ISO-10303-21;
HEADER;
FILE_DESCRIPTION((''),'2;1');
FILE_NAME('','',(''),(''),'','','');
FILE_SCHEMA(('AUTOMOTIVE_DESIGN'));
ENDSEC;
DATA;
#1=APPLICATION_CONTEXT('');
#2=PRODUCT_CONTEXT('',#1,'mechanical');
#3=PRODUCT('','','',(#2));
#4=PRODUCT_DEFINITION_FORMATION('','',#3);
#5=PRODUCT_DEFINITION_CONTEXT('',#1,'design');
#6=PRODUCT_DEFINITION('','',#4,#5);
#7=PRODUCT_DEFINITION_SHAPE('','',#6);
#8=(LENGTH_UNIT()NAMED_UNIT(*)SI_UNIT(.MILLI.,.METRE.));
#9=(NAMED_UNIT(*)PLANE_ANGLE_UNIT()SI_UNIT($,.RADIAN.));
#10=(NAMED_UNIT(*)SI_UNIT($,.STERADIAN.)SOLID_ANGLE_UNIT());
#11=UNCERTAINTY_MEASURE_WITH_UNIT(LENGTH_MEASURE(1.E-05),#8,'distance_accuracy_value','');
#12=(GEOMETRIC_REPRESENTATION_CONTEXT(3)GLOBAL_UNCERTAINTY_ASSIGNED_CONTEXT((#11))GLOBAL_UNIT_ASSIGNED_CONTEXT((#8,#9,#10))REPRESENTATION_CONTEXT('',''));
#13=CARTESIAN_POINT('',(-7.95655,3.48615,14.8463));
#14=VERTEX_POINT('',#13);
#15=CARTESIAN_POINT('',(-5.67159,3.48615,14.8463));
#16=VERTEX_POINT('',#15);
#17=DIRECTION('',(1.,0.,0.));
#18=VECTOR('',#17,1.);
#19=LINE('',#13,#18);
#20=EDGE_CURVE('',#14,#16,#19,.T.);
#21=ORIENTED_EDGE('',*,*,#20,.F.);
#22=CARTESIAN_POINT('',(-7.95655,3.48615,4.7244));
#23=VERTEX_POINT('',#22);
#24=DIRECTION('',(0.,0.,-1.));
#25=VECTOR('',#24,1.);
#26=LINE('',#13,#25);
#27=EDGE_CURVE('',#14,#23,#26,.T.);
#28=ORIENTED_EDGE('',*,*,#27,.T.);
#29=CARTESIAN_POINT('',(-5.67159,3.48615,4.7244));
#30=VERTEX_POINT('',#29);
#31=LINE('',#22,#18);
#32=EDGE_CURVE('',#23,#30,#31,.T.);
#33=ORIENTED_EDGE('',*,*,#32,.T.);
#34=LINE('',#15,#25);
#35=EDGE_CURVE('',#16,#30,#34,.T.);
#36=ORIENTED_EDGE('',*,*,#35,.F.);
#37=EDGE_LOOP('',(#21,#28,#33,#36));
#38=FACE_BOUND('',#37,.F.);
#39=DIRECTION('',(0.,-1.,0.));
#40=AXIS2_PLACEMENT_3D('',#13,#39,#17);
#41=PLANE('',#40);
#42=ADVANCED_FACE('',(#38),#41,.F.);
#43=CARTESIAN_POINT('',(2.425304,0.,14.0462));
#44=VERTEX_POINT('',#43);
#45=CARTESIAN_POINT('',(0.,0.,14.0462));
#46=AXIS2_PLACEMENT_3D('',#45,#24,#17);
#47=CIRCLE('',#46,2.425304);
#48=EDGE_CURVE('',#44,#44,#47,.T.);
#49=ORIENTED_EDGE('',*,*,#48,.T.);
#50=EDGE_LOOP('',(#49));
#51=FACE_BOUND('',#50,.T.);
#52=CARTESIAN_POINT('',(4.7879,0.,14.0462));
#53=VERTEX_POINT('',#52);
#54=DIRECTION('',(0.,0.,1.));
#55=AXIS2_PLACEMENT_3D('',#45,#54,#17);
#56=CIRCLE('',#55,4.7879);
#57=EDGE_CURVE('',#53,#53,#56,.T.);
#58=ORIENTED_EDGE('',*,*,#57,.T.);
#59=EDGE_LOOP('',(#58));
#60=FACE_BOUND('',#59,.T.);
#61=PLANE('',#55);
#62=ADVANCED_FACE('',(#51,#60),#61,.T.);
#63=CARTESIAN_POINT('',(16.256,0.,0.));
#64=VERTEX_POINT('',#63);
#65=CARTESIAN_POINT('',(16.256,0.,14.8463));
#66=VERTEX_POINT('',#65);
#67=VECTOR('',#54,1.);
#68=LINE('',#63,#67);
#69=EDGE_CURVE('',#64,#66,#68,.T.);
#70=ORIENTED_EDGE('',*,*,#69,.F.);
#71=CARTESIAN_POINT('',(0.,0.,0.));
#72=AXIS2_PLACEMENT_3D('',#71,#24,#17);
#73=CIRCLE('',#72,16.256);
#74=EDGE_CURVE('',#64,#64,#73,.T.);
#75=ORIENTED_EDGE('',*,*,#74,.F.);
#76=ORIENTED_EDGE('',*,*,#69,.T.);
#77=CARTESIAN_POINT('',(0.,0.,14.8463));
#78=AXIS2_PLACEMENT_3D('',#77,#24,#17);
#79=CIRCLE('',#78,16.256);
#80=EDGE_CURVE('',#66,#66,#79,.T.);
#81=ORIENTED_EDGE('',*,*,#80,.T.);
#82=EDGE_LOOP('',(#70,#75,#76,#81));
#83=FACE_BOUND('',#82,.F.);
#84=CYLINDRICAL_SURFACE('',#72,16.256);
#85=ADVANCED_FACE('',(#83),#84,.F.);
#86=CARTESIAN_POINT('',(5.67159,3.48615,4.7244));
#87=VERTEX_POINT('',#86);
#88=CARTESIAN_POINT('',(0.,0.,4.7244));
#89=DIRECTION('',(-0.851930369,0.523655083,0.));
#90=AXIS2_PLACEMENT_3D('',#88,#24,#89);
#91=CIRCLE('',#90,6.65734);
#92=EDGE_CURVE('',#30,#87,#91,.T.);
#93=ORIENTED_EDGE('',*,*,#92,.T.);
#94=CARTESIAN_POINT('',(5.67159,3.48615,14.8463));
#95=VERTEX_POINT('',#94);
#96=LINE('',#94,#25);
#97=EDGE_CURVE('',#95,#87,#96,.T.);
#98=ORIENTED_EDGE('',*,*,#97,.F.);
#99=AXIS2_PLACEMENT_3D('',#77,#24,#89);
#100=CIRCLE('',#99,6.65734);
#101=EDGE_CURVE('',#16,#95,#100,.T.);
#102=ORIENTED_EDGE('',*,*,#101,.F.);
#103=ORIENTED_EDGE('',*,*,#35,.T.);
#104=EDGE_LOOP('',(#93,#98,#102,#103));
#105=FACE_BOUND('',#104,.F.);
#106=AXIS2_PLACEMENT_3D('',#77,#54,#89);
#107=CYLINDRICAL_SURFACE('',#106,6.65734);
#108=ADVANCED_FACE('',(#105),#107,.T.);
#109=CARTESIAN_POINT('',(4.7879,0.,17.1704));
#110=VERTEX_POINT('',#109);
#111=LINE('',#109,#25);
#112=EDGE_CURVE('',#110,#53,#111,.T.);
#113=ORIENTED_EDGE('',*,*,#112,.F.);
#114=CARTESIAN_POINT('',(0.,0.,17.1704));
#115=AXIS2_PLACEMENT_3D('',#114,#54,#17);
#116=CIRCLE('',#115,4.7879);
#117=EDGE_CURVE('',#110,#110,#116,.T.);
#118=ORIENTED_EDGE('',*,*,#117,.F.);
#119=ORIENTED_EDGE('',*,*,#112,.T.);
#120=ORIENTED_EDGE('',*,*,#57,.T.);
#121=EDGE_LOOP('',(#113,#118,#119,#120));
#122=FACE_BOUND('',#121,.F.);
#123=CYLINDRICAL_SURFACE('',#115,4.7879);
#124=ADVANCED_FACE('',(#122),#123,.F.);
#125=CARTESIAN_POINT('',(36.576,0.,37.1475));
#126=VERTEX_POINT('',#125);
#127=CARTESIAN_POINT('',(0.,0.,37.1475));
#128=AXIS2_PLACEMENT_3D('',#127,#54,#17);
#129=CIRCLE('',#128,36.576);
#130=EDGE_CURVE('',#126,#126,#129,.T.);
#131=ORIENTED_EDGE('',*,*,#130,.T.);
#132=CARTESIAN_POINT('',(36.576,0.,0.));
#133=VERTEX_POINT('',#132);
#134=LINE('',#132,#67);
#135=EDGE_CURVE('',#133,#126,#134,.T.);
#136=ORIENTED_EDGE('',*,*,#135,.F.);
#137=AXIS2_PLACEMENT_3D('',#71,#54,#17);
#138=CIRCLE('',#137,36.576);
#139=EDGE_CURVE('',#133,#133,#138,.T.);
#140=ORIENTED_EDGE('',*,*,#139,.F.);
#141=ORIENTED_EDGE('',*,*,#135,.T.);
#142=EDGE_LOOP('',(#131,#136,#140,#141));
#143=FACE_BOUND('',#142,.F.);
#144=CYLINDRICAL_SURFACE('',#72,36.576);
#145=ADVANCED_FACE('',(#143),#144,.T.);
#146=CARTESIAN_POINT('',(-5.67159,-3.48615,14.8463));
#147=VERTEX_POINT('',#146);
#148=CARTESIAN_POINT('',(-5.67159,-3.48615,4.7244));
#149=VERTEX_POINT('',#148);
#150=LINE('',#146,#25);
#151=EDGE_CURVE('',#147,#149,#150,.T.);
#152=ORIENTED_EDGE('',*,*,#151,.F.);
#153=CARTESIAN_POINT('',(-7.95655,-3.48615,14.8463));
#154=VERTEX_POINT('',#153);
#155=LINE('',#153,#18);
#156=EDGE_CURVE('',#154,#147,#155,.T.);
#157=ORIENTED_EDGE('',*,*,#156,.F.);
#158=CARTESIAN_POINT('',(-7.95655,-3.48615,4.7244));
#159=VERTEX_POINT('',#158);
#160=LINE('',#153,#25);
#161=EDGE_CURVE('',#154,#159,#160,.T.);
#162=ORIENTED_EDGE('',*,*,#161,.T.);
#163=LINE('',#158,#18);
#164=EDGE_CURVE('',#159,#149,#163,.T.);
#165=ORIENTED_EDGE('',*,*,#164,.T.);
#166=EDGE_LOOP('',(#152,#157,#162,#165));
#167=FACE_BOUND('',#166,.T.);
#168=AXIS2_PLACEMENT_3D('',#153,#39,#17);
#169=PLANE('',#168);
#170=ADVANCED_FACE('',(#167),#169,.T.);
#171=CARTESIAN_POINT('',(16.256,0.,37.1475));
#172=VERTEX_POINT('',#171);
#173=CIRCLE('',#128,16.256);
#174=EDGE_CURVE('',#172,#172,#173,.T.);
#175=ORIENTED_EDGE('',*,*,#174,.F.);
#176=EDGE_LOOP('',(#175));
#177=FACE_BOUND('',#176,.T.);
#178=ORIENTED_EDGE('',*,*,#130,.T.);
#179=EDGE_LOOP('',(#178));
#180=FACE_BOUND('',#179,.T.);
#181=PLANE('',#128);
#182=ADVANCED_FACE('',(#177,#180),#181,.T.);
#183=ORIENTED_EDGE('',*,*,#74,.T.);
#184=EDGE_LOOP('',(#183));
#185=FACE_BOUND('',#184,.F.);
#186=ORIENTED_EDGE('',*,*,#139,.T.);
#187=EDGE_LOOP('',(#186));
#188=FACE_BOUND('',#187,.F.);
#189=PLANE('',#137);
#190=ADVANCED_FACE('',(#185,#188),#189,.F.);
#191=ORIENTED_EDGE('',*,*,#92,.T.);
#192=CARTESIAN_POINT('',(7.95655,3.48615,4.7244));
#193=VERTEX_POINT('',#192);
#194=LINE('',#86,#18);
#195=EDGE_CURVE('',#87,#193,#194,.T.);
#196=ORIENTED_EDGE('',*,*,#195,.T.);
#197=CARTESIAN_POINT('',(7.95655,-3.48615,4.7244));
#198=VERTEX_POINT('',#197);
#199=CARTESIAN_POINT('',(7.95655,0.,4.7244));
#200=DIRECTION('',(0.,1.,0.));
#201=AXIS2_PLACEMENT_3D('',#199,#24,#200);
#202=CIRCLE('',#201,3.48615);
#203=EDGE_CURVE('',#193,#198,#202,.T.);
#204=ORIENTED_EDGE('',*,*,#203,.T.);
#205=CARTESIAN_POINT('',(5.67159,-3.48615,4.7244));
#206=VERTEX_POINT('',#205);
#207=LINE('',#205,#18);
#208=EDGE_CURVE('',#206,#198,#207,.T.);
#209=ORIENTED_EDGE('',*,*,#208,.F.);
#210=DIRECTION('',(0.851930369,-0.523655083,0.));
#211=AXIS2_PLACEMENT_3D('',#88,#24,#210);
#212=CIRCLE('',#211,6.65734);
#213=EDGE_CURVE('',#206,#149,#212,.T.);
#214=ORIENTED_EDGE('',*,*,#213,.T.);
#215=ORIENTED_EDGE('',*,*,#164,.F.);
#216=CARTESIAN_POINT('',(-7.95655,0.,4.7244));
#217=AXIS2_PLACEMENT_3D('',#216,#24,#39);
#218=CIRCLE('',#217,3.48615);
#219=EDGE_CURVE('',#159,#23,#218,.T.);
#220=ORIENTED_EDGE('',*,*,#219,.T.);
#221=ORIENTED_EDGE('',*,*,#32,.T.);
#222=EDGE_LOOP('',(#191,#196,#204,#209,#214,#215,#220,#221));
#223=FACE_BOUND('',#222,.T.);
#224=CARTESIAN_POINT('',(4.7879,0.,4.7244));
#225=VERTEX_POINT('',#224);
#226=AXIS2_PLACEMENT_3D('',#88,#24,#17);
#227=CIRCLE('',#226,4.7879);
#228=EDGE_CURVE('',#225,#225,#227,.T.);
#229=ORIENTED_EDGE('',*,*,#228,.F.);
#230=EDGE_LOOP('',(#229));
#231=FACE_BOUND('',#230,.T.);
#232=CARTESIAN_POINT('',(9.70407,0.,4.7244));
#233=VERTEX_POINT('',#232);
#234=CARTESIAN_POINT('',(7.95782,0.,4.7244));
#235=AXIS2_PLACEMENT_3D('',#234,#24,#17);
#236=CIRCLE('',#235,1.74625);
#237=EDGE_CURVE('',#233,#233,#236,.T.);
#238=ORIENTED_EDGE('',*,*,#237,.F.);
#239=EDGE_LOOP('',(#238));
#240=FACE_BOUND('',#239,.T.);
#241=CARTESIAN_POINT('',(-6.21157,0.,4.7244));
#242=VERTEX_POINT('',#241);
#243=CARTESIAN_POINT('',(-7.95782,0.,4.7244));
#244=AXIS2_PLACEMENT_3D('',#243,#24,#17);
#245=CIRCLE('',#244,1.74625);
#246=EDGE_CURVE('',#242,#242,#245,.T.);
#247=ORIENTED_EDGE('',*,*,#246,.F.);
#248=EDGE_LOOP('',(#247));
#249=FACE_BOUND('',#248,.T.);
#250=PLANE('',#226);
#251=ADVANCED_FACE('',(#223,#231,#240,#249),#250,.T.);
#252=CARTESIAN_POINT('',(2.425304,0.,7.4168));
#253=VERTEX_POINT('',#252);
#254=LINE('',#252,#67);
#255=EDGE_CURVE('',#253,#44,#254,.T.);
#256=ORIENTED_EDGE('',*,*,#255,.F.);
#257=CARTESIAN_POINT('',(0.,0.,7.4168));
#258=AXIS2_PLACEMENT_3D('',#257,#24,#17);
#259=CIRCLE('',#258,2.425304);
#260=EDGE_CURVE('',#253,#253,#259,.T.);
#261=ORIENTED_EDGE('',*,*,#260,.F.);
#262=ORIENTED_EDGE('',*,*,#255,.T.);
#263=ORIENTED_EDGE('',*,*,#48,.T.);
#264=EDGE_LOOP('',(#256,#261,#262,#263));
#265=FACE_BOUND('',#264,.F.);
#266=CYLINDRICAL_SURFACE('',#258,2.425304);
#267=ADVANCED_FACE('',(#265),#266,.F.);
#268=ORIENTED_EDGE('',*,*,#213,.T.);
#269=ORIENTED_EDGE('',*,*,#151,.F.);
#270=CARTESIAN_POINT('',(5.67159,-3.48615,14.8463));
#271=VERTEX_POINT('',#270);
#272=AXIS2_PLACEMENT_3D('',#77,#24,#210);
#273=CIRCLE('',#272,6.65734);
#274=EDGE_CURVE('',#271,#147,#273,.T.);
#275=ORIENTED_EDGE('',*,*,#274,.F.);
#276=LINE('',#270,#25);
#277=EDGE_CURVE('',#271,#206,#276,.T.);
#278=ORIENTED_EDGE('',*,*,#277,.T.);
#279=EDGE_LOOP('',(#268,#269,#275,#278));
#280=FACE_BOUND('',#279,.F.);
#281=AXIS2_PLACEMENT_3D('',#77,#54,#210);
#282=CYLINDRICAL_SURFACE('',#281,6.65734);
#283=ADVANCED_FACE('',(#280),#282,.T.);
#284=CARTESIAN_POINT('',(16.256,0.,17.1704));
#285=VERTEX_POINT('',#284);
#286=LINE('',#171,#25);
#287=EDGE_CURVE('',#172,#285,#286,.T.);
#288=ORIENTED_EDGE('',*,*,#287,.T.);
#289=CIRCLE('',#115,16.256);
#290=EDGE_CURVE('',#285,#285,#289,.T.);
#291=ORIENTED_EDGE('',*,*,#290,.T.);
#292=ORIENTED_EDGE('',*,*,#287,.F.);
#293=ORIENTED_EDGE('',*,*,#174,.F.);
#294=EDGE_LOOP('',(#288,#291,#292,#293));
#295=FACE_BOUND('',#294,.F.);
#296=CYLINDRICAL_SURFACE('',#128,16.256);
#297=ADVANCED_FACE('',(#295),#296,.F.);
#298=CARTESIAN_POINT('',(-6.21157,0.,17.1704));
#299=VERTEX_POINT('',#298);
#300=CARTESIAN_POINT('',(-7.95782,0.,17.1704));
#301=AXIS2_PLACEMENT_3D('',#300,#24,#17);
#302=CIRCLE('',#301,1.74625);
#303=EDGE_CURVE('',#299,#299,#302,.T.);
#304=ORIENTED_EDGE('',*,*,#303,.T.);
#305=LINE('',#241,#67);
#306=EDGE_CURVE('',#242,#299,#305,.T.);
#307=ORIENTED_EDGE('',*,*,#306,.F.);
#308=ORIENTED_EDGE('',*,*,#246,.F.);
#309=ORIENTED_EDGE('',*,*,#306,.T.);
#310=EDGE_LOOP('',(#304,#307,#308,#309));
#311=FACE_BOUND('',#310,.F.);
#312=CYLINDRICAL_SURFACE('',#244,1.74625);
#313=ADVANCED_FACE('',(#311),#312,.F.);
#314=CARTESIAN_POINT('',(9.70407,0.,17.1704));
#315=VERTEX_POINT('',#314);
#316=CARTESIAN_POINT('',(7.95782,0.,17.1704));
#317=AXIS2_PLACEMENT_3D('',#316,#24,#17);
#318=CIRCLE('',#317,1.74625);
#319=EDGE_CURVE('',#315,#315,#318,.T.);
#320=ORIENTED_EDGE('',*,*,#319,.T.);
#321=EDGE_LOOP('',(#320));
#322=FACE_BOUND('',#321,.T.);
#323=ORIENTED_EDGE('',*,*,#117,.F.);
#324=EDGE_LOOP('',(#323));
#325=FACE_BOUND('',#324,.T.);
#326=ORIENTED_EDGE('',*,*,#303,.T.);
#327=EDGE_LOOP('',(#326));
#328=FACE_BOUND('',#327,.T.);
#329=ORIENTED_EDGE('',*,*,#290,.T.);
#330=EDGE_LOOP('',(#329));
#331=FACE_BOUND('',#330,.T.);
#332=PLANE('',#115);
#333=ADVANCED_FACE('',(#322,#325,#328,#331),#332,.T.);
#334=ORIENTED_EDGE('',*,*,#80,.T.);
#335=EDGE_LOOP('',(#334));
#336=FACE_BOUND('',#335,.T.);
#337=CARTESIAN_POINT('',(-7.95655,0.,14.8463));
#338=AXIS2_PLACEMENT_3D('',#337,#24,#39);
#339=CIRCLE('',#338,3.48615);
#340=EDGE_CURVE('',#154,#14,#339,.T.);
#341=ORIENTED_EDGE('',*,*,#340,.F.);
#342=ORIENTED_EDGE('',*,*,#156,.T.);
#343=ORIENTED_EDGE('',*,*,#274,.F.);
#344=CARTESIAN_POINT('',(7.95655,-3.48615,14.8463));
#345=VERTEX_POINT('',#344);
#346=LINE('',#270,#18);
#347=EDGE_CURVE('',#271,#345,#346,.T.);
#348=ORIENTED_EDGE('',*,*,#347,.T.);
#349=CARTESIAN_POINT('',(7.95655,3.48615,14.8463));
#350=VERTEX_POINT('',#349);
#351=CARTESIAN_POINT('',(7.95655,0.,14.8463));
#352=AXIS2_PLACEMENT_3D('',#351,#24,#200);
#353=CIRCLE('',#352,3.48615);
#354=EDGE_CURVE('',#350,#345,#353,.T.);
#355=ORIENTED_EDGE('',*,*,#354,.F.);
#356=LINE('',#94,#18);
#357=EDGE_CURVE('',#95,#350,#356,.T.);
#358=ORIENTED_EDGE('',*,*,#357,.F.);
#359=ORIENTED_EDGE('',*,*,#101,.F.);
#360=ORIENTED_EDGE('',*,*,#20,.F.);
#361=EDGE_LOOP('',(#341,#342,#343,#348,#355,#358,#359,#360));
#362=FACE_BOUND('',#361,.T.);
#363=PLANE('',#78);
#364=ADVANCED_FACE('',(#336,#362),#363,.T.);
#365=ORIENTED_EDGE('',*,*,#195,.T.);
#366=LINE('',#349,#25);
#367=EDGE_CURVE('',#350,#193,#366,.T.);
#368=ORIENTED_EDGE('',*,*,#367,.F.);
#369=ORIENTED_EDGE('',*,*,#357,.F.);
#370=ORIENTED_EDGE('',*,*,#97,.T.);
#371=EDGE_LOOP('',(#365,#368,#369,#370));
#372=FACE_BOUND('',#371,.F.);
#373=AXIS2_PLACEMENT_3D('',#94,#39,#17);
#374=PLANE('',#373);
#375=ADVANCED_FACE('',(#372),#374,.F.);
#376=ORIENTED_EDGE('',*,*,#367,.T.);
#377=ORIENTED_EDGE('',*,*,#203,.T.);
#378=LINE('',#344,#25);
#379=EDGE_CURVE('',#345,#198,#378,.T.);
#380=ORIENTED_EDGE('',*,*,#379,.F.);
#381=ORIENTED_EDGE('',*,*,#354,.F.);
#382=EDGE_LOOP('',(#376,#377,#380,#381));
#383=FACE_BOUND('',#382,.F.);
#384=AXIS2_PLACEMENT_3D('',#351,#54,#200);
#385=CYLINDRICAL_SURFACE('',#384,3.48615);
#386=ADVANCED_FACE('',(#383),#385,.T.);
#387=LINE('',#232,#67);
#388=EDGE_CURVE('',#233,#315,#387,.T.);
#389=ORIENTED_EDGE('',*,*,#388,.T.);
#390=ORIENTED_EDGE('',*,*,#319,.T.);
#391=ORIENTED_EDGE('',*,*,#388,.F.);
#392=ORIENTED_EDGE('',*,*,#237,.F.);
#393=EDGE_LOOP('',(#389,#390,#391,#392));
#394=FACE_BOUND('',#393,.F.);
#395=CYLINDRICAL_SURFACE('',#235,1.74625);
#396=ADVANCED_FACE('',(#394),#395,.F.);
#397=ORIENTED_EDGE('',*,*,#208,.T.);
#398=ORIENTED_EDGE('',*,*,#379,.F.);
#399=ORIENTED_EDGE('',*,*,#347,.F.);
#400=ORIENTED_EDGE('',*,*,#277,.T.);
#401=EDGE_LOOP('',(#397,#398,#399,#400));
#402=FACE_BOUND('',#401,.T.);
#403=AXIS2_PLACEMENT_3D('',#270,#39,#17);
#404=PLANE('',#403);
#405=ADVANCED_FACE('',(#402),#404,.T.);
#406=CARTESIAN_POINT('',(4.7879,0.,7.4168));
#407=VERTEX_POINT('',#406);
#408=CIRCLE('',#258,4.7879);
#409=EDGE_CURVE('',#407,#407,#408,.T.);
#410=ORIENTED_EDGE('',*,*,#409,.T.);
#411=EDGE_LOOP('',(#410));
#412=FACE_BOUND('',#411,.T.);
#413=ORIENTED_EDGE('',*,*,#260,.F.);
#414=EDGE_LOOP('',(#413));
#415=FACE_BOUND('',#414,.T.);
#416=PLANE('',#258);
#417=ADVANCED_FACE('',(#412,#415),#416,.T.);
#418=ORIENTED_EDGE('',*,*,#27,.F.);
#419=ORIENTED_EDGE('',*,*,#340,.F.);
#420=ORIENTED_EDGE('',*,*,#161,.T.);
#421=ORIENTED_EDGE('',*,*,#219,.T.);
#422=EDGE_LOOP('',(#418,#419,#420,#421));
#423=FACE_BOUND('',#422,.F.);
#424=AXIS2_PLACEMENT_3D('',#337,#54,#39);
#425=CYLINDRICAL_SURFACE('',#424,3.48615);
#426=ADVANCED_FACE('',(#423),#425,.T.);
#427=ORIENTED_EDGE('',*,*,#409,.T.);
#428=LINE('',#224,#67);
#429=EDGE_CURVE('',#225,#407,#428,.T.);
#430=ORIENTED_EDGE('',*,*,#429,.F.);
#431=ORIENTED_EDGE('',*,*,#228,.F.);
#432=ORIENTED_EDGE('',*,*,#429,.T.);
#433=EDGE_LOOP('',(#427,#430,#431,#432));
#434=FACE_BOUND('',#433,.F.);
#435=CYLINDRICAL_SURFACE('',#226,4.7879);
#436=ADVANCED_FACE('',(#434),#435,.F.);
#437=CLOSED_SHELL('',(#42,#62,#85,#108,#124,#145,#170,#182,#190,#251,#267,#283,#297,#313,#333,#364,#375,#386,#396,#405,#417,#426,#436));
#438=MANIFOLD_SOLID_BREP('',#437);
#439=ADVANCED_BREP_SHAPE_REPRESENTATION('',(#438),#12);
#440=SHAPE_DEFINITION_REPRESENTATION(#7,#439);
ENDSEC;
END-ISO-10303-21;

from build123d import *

# Parameters (mm, degrees)
SKETCH_R        = 36.576
PAD_DEPTH       = 37.1475
SKETCH001_R     = 16.256
POCKET_DEPTH    = 19.9771
SKETCH002_R     = 16.256
POCKET001_DEPTH = 14.8463
PAD001_DEPTH    = 10.1219
SKETCH004_R     = 1.74625
POCKET002_DEPTH = 32.4241
SKETCH005_R     = 4.7879
POCKET003_DEPTH = 2.6924
SKETCH006_R     = 2.425304
POCKET004_DEPTH = 29.7317
SKETCH007_R     = 4.7879
POCKET005_DEPTH = 3.1242


with BuildPart() as part:
    # Sketch → Pad (new body)
    with BuildSketch(Plane.XY):
        Circle(SKETCH_R)
    extrude(amount=PAD_DEPTH)

    # Sketch001 (on Face3 of Pad) → Pocket (cut)
    with BuildSketch(Plane.XY.offset(37.1475)):
        Circle(SKETCH001_R)
    extrude(amount=-POCKET_DEPTH, mode=Mode.SUBTRACT)

    # Sketch002 (on Face2 of Pocket) → Pocket001 (cut)
    with BuildSketch(Plane(origin=(0, 0, 0), x_dir=(1, 0, 0), z_dir=(0, 0, -1))):
        Circle(SKETCH002_R)
    extrude(amount=-POCKET001_DEPTH, mode=Mode.SUBTRACT)

    # Sketch003 (on Face6 of Pocket001) → Pad001 (new body)
    with BuildSketch(Plane(origin=(0, 0, 14.8463), x_dir=(1, 0, 0), z_dir=(0, 0, -1))):
        with BuildLine():
            ThreePointArc((-5.67159, -3.48615), (0, -6.65734), (5.67159, -3.48615))
            Line((5.67159, -3.48615), (7.95655, -3.48615))
            ThreePointArc((7.95655, -3.48615), (11.4427, 0), (7.95655, 3.48615))
            Line((5.67159, 3.48615), (7.95655, 3.48615))
            ThreePointArc((5.67159, 3.48615), (0, 6.65734), (-5.67159, 3.48615))
            Line((-7.95655, 3.48615), (-5.67159, 3.48615))
            ThreePointArc((-7.95655, 3.48615), (-11.4427, 0), (-7.95655, -3.48615))
            Line((-7.95655, -3.48615), (-5.67159, -3.48615))
        make_face()
    extrude(amount=PAD001_DEPTH)

    # Sketch004 (on Face16 of Pad001) → Pocket002 (cut, through all)
    with BuildSketch(Plane(origin=(0, 0, 4.7244), x_dir=(1, 0, 0), z_dir=(0, 0, -1))):
        with Locations((7.95782, 0)):
            Circle(SKETCH004_R)
        with Locations((-7.95782, 0)):
            Circle(SKETCH004_R)
    extrude(amount=-POCKET002_DEPTH, mode=Mode.SUBTRACT)

    # Sketch005 (on Face18 of Pocket002) → Pocket003 (cut)
    with BuildSketch(Plane(origin=(0, 0, 4.7244), x_dir=(1, 0, 0), z_dir=(0, 0, -1))):
        Circle(SKETCH005_R)
    extrude(amount=-POCKET003_DEPTH, mode=Mode.SUBTRACT)

    # Sketch006 (on Face20 of Pocket003) → Pocket004 (cut, through all)
    with BuildSketch(Plane(origin=(0, 0, 7.4168), x_dir=(1, 0, 0), z_dir=(0, 0, -1))):
        Circle(SKETCH006_R)
    extrude(amount=-POCKET004_DEPTH, mode=Mode.SUBTRACT)

    # Sketch007 (on Face7 of Pocket004) → Pocket005 (cut)
    with BuildSketch(Plane.XY.offset(17.1704)):
        Circle(SKETCH007_R)
    extrude(amount=-POCKET005_DEPTH, mode=Mode.SUBTRACT)


solid = part.part
